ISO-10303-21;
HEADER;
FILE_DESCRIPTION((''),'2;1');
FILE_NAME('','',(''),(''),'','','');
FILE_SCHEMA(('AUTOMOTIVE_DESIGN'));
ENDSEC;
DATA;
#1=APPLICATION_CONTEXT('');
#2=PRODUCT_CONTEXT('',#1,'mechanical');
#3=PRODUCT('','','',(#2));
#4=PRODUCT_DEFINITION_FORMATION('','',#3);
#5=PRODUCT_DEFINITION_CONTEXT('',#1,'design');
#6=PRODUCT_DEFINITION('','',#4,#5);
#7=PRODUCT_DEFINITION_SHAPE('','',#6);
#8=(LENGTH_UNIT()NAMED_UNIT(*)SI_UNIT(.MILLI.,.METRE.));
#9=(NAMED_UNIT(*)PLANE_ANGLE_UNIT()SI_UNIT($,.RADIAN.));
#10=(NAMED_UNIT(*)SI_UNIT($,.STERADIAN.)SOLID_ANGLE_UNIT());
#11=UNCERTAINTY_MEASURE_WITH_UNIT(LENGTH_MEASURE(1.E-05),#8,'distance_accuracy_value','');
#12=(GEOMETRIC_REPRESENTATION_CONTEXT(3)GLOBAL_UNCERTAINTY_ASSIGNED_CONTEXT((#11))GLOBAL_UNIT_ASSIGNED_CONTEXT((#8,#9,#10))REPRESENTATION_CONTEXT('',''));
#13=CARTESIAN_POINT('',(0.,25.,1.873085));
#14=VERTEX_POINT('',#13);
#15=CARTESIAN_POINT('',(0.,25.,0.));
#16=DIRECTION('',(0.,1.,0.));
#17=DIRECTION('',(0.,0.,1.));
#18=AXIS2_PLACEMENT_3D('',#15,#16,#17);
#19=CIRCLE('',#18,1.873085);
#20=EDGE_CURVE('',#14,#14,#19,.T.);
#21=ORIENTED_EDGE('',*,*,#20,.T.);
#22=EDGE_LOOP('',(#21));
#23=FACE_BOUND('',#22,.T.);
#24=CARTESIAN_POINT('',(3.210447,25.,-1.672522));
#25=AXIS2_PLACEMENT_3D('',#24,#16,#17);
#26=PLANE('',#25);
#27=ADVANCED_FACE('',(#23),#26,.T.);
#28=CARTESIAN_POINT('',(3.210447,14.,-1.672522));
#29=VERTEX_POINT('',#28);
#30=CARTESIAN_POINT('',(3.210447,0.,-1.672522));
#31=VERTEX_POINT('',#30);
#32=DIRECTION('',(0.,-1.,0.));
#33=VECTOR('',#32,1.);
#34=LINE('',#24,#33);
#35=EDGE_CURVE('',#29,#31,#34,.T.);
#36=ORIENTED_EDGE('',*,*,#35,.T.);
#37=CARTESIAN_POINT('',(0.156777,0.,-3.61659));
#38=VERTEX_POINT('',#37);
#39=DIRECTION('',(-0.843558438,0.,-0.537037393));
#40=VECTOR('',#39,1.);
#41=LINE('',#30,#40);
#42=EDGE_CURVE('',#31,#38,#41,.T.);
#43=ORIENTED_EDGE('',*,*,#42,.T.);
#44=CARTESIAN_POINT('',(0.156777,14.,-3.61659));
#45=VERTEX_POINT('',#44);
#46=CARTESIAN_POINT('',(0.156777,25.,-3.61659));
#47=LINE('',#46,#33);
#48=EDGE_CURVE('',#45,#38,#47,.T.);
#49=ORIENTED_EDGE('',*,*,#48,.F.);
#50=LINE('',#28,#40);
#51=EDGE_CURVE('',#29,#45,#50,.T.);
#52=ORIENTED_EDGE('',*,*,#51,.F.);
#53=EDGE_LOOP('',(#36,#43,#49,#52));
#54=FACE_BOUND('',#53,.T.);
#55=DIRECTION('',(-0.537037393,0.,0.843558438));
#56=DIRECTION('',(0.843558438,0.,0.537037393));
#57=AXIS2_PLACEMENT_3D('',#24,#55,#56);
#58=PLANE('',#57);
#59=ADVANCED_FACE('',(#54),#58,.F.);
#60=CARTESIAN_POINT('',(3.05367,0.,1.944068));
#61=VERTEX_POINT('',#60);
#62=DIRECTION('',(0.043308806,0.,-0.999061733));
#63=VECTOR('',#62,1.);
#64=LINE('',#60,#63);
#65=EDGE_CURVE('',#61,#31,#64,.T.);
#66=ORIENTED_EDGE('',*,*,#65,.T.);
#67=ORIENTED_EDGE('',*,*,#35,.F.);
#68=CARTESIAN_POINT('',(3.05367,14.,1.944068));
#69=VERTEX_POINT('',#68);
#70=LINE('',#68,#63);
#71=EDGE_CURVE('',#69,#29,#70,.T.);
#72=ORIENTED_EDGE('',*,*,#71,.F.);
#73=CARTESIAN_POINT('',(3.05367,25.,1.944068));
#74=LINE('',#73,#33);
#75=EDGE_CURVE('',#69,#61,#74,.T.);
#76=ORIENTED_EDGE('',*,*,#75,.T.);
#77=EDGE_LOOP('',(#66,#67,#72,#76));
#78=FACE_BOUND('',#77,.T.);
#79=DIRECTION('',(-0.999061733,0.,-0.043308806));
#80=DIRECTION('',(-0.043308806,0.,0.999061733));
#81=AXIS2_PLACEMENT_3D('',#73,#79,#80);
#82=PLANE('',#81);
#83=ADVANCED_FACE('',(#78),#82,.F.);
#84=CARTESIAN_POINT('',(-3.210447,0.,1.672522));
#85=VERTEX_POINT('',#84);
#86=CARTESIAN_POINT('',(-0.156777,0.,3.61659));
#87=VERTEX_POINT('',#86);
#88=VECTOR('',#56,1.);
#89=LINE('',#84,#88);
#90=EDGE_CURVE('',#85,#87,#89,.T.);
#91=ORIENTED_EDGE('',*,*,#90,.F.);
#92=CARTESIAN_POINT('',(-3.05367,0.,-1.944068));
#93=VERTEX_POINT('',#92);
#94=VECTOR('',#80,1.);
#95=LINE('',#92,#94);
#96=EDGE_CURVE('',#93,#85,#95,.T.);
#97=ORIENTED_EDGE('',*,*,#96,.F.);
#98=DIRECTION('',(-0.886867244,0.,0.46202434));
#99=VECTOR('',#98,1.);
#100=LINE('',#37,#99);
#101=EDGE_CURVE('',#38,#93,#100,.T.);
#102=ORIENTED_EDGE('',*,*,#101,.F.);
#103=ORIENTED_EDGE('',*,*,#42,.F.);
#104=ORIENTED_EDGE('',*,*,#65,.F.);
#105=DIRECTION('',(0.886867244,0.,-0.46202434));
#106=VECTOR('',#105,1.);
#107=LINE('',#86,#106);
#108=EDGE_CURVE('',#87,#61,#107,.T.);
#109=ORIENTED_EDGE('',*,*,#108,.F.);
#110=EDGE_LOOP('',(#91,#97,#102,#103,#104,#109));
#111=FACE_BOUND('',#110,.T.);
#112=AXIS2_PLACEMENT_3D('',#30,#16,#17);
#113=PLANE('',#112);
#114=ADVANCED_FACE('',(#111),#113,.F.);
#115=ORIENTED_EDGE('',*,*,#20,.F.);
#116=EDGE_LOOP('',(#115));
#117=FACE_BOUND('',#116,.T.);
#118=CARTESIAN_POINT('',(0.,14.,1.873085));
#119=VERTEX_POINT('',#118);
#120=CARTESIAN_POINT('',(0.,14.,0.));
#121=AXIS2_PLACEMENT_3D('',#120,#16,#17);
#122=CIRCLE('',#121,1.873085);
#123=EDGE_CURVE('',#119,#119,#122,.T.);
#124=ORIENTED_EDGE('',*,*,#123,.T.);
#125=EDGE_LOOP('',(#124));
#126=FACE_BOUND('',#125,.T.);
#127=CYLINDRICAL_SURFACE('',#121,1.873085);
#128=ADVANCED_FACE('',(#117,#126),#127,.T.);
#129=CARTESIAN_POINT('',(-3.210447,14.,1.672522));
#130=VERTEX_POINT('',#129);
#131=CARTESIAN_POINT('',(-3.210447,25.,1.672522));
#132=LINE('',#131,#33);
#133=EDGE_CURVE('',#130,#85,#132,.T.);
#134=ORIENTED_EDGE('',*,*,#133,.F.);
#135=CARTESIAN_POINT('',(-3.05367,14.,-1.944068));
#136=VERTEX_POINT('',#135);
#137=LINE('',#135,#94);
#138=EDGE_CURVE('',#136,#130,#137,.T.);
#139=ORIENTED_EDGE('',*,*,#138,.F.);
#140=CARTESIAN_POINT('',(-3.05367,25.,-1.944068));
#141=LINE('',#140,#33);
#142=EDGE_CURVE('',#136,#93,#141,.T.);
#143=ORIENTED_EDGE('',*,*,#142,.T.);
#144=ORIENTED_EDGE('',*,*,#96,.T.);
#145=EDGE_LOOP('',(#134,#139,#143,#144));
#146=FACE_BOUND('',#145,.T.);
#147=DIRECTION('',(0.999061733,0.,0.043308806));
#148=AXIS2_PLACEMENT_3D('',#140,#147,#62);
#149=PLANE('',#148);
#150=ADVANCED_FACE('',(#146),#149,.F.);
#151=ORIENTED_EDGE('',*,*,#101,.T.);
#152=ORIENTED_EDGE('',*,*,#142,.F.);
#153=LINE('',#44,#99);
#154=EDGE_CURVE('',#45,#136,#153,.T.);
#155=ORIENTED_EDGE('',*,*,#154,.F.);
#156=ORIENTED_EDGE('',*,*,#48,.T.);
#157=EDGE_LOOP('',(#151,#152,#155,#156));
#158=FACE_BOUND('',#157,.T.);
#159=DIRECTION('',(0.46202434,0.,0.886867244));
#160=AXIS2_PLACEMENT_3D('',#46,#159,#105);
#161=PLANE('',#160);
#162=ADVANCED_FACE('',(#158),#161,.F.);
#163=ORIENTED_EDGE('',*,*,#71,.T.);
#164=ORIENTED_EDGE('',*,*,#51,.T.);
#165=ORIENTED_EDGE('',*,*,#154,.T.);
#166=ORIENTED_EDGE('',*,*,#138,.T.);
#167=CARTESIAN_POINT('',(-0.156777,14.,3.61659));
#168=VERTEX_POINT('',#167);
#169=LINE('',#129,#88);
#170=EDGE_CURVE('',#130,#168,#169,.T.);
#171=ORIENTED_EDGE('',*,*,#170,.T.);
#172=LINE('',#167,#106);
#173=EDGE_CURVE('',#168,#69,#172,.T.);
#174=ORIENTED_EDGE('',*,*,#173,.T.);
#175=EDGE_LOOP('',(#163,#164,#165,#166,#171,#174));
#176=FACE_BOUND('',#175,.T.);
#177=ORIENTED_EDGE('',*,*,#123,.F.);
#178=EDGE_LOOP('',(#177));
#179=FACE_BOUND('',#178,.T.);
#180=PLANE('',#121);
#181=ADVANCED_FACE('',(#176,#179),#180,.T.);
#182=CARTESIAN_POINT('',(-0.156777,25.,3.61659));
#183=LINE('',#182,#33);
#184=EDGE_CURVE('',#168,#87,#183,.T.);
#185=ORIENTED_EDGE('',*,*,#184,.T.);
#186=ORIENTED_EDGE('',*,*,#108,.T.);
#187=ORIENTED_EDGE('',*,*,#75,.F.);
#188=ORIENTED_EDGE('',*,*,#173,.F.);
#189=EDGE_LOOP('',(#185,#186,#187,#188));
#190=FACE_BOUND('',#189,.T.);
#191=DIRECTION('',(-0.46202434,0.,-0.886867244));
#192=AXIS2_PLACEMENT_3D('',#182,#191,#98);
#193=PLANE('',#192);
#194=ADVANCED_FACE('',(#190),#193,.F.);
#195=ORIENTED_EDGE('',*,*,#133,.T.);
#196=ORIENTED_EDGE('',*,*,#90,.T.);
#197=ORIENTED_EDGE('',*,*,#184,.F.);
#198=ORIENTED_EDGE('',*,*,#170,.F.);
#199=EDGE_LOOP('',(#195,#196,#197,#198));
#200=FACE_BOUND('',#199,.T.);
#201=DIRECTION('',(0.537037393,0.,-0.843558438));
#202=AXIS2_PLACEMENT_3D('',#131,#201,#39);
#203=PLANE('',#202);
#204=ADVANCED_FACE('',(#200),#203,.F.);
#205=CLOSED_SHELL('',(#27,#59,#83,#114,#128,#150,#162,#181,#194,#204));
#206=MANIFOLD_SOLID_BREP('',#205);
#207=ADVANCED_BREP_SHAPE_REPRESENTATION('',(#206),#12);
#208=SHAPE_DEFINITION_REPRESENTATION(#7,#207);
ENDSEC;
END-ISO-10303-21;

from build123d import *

# Parameters (mm, degrees)
BOSS_EXTRUDE1_DEPTH = 25
SKETCH2_OUTSIDE_W   = 13.782
SKETCH2_OUTSIDE_H   = 14.596
SKETCH2_OUTSIDE_R   = 1.873084861
CUT_EXTRUDE1_DEPTH  = 11


with BuildPart() as part:
    # Sketch1 → Boss-Extrude1 (new body)
    with BuildSketch(Plane(origin=(0, 0, 0), x_dir=(1, 0, 0), z_dir=(0, 1, 0))):
        Polygon((3.210447175, 1.67252173), (0.156777281, 3.616589676), (-3.053669894, 1.944067946), (-3.210447175, -1.67252173), (-0.156777281, -3.616589676), (3.053669894, -1.944067946), align=None)
    extrude(amount=BOSS_EXTRUDE1_DEPTH)

    # Sketch2 outside → Cut-Extrude1 (cut)
    with BuildSketch(Plane(origin=(0, 25, 0), x_dir=(1, 0, 0), z_dir=(0, 1, 0))):
        Rectangle(SKETCH2_OUTSIDE_W, SKETCH2_OUTSIDE_H)
        with Locations(Location((0, 0, 0), (0, 0, 270))):
            Circle(SKETCH2_OUTSIDE_R, mode=Mode.SUBTRACT)
    extrude(amount=-CUT_EXTRUDE1_DEPTH, mode=Mode.SUBTRACT)


solid = part.part
